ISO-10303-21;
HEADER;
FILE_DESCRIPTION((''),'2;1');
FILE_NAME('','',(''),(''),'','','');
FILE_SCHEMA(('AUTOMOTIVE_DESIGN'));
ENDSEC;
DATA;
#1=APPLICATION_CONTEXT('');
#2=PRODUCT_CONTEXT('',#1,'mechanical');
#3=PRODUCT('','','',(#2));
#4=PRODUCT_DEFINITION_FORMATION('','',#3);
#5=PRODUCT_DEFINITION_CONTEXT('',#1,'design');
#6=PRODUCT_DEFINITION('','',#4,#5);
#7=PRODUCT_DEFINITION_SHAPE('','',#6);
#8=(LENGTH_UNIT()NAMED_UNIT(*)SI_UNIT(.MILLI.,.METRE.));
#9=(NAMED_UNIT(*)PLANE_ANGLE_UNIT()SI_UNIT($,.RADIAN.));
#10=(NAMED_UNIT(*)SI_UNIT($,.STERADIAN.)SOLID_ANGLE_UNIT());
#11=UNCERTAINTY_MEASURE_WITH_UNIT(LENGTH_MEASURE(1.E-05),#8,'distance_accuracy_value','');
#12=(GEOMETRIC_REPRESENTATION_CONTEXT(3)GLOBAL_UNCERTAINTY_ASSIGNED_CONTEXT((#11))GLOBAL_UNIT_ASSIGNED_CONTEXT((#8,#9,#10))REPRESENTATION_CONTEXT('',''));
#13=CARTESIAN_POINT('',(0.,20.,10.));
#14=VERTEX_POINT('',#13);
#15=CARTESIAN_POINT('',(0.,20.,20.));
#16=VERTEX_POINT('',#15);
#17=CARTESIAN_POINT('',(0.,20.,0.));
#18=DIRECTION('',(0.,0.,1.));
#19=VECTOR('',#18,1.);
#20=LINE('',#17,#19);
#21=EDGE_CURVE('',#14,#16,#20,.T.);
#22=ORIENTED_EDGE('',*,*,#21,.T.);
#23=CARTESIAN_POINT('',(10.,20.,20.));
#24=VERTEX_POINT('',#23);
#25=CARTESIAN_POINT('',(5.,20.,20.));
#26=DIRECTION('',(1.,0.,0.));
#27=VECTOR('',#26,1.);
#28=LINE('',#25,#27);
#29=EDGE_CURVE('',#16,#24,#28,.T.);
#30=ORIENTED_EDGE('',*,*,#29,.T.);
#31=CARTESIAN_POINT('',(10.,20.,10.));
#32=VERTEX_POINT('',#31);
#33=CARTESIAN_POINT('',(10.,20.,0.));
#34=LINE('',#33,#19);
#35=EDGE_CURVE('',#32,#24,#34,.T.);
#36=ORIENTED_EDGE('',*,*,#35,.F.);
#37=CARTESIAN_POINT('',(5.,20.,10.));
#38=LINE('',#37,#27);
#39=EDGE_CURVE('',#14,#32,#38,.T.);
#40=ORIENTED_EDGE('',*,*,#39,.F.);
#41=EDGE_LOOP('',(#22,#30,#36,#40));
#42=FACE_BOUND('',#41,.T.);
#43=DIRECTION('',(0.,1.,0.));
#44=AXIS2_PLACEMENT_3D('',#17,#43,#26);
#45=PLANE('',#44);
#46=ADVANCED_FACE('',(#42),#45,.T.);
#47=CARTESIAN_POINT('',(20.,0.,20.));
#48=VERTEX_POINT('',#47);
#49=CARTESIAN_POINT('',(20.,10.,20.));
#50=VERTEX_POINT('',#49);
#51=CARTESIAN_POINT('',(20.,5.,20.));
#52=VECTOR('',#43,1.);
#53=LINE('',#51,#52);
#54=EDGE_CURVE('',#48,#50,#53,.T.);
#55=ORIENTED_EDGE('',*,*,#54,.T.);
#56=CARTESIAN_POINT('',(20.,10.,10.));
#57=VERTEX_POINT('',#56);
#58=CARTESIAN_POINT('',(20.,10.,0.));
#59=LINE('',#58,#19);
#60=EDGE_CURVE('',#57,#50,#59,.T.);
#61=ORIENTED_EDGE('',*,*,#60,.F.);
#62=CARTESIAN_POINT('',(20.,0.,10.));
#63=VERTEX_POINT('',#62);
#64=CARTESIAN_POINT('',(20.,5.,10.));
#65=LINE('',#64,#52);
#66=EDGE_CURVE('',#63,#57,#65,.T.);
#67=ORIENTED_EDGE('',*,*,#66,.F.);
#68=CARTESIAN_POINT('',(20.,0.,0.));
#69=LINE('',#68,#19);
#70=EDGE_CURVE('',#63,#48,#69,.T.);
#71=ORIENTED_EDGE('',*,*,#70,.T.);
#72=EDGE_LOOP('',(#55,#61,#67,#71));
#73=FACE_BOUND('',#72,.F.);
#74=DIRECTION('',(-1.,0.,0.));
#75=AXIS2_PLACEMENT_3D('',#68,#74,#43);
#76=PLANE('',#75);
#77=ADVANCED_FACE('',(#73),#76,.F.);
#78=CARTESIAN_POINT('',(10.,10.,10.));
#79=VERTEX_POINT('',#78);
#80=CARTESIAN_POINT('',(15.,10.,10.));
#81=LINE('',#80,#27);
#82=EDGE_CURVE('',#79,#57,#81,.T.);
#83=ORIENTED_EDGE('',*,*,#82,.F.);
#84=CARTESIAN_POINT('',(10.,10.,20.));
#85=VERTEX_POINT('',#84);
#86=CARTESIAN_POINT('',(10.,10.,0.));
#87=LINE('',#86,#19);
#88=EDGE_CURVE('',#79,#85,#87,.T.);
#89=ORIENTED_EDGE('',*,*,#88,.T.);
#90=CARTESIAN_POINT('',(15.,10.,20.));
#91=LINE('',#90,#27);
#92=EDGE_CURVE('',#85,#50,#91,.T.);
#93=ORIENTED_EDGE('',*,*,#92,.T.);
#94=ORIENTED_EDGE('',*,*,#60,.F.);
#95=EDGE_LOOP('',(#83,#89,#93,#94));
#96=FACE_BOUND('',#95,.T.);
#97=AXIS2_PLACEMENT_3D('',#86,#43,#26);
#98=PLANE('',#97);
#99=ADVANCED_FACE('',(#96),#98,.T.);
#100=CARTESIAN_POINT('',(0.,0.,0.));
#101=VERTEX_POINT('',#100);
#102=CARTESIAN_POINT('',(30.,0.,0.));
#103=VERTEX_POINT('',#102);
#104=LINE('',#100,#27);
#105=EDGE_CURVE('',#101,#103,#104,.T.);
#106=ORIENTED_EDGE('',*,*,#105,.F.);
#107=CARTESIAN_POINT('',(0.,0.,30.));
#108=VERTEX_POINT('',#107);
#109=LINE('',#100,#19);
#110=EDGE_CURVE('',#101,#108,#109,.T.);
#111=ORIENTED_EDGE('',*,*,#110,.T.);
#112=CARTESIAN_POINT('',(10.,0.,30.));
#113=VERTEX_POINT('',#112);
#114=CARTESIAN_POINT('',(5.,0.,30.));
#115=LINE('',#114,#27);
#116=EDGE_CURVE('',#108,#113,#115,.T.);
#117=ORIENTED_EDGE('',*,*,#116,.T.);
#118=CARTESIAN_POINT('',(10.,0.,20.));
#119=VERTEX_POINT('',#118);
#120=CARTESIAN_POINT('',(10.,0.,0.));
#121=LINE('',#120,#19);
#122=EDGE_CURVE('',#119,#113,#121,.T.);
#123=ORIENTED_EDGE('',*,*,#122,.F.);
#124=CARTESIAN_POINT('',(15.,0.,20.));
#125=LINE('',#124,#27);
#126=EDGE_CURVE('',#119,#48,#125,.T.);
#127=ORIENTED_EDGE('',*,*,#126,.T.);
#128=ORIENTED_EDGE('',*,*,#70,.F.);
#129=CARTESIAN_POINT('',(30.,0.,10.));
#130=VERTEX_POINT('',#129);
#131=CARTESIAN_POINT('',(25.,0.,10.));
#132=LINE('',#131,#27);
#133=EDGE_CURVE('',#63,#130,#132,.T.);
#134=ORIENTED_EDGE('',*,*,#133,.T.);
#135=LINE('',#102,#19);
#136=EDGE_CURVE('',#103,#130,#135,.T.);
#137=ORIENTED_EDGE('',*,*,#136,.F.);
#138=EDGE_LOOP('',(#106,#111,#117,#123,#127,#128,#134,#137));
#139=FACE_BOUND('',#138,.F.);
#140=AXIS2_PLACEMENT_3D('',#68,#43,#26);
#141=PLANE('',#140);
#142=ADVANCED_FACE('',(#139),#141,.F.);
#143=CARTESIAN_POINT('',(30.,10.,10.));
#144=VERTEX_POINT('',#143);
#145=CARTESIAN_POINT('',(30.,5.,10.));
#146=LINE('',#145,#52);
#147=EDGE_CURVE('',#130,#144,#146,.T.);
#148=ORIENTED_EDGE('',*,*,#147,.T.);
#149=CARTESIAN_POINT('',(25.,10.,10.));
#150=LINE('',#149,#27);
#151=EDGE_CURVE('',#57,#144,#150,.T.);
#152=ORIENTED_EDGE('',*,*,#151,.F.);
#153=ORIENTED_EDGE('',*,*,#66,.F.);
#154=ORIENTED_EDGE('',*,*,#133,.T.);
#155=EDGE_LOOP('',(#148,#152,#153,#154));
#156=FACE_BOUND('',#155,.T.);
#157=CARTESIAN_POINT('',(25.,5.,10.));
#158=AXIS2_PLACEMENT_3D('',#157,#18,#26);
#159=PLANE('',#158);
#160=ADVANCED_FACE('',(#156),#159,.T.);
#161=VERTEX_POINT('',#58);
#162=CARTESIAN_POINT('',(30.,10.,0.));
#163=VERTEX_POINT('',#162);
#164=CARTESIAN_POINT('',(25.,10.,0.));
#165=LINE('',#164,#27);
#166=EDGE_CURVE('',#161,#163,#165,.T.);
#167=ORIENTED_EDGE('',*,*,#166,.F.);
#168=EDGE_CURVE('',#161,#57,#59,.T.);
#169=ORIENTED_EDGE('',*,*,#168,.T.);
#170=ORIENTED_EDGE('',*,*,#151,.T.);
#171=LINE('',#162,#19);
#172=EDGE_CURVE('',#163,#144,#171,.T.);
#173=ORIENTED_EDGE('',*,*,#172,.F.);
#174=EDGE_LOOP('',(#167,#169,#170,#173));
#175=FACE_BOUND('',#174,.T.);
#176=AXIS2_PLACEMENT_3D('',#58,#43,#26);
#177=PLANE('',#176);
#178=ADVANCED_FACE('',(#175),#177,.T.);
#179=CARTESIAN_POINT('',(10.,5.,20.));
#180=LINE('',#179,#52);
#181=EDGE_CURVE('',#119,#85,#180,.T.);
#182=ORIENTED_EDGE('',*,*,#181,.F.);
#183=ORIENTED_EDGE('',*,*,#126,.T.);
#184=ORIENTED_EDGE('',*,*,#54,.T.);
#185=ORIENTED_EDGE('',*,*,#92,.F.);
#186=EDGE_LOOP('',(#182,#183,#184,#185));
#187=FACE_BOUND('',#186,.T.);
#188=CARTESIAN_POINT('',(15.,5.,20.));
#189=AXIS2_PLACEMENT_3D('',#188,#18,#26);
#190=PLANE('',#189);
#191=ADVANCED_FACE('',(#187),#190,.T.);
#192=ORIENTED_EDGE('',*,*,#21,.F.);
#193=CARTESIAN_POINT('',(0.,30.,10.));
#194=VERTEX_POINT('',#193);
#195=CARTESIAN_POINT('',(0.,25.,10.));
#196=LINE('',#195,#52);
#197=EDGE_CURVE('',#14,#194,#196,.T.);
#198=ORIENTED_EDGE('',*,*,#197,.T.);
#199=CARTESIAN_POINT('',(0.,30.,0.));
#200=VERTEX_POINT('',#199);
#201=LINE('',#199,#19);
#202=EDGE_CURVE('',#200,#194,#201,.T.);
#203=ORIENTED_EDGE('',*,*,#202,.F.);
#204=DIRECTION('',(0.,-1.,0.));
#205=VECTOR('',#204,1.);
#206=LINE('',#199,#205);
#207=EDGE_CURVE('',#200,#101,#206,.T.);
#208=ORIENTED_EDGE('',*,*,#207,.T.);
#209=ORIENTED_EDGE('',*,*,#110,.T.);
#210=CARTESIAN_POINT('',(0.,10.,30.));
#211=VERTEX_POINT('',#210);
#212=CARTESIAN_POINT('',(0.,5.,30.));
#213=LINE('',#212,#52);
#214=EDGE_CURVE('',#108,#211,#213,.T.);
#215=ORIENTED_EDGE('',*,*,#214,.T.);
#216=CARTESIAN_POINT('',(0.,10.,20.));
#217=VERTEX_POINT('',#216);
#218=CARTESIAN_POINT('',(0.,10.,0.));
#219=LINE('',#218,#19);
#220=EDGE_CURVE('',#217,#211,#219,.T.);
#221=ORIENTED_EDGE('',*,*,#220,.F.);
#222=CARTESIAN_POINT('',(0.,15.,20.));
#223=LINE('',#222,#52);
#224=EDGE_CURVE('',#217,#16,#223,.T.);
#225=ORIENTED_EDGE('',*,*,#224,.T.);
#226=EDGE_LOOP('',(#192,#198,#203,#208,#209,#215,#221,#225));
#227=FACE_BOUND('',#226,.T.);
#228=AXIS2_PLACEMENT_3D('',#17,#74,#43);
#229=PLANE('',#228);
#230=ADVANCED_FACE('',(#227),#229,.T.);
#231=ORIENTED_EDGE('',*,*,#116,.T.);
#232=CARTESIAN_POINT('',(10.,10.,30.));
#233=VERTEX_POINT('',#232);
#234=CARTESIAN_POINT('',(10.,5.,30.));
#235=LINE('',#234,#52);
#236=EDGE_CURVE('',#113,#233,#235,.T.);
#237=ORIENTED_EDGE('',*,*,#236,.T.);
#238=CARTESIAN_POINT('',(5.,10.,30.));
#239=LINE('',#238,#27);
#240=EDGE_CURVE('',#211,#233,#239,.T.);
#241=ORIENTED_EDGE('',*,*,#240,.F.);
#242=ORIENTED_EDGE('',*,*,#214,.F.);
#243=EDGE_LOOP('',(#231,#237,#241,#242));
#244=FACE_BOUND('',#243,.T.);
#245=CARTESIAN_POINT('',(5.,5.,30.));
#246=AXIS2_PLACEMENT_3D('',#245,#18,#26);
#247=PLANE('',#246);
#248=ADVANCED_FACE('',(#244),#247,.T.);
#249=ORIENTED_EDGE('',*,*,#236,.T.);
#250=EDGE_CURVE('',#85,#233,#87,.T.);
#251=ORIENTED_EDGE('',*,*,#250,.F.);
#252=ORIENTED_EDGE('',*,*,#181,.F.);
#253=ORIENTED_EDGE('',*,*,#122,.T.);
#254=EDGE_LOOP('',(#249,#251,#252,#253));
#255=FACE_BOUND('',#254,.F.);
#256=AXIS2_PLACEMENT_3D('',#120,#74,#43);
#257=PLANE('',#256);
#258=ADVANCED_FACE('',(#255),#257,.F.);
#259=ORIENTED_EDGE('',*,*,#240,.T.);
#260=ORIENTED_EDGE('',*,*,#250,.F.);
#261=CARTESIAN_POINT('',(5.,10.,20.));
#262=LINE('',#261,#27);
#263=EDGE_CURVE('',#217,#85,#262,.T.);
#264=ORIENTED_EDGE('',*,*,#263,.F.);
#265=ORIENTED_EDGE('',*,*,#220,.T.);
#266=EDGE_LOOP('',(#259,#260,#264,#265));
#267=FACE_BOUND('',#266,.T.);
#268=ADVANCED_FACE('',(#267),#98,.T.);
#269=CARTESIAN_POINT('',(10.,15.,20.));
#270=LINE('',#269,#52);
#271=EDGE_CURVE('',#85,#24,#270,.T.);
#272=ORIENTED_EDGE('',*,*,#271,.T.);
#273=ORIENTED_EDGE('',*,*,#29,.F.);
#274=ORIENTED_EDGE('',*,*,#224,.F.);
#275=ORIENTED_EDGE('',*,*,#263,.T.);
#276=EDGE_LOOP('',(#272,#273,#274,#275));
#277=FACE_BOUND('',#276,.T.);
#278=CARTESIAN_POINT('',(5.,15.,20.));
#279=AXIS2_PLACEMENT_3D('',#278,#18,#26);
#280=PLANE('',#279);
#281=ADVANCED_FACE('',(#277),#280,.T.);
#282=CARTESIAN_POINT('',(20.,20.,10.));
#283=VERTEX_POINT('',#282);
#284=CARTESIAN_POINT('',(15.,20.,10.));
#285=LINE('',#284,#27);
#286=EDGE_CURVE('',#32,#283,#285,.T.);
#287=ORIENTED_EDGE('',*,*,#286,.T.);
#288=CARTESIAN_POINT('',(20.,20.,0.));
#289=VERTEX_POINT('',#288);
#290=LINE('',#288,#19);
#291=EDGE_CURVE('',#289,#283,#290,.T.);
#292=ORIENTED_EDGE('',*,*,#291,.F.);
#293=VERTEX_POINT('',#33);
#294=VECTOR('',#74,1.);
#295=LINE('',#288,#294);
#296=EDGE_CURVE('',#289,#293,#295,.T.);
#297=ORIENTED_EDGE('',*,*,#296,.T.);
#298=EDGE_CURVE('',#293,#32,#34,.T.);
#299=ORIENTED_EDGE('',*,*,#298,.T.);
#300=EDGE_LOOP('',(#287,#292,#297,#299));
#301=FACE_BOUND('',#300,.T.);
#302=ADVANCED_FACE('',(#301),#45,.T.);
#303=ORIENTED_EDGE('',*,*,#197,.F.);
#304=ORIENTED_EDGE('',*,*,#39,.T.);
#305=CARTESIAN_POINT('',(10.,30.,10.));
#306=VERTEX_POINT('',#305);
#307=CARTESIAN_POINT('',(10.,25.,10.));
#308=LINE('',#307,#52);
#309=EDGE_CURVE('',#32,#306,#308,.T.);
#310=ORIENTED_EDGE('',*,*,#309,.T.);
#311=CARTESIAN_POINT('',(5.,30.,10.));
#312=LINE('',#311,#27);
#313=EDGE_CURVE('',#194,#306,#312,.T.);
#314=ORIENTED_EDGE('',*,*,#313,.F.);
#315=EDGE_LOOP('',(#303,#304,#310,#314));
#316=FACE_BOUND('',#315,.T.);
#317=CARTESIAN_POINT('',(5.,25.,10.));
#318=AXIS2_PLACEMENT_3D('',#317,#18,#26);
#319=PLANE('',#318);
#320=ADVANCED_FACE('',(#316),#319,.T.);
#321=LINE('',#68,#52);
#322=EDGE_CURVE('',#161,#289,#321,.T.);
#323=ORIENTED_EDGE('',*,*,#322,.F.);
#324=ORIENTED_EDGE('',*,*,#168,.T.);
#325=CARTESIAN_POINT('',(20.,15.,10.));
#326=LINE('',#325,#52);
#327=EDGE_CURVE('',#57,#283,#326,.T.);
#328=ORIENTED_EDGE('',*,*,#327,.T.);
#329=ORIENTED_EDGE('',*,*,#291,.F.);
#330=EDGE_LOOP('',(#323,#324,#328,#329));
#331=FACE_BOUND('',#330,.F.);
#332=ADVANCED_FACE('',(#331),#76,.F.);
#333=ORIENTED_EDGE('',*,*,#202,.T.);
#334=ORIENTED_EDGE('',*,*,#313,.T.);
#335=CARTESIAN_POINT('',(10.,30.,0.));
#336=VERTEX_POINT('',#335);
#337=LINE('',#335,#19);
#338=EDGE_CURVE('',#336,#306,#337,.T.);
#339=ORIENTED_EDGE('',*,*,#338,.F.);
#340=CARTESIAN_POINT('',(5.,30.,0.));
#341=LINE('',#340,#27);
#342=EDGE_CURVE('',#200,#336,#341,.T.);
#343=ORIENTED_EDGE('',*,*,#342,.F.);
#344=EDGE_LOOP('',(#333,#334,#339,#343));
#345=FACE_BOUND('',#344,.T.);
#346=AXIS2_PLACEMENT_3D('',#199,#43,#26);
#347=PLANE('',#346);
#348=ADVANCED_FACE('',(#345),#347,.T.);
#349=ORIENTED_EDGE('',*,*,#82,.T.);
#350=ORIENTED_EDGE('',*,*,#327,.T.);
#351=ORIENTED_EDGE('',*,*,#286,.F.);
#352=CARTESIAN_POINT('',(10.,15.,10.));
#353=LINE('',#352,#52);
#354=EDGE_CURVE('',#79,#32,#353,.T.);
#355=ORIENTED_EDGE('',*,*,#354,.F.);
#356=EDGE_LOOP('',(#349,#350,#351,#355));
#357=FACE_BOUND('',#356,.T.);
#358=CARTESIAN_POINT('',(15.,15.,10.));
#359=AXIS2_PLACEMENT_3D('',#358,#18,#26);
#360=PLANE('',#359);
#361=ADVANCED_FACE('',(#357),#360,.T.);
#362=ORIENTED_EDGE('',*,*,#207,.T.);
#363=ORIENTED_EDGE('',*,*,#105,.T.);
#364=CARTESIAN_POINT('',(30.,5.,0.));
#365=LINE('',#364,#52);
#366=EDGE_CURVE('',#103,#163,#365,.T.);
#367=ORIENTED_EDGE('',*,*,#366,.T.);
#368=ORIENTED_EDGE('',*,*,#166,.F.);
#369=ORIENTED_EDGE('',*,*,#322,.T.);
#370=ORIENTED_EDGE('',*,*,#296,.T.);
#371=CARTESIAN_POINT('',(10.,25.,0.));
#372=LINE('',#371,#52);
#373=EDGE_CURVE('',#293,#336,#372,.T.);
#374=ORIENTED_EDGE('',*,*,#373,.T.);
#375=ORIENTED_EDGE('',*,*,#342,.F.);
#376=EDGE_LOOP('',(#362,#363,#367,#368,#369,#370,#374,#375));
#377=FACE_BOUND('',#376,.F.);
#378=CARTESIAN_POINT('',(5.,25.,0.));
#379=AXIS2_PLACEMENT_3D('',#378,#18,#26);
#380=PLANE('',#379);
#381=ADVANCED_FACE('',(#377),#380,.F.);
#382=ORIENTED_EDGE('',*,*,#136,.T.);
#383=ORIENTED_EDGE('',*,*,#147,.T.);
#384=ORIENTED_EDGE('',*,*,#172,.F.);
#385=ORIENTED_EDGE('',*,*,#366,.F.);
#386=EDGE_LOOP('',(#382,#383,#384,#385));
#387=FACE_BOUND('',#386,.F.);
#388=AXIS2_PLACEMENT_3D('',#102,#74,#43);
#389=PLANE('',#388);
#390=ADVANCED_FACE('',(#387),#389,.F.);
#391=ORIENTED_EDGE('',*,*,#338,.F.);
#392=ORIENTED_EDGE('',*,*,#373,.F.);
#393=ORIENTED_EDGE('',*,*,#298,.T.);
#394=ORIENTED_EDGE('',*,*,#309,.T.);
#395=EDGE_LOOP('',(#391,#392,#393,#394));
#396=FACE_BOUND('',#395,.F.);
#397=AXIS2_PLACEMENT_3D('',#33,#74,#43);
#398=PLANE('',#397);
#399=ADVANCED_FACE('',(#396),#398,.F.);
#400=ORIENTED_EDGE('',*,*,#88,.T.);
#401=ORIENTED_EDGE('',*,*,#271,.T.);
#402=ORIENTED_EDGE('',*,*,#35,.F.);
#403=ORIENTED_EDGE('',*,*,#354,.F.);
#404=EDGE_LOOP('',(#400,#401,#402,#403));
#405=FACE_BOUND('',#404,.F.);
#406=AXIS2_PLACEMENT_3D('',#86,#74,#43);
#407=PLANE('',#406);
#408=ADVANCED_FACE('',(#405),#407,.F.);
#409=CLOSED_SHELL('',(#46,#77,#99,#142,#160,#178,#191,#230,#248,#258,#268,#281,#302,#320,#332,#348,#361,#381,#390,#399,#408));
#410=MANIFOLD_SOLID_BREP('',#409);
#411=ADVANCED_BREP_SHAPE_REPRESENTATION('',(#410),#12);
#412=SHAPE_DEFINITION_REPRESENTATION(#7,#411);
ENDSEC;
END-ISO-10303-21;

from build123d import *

# Parameters (mm, degrees)
BOX_W        = 10
BOX_H        = 10
BOX_DEPTH    = 30
BOX001_W     = 10
BOX001_H     = 10
BOX001_DEPTH = 20
BOX002_W     = 10
BOX002_H     = 10
BOX002_DEPTH = 20
BOX003_W     = 10
BOX003_H     = 10
BOX003_DEPTH = 10
BOX004_W     = 10
BOX004_H     = 10
BOX004_DEPTH = 10
BOX005_W     = 10
BOX005_H     = 10
BOX005_DEPTH = 10


with BuildPart() as cube:
    # Box → Box (new body)
    with BuildSketch(Plane.XY):
        with Locations((5, 5)):
            Rectangle(BOX_W, BOX_H)
    extrude(amount=BOX_DEPTH)


with BuildPart() as cube001:
    # Box001 → Box001 (new body)
    with BuildSketch(Plane(origin=(10, 0, 0), x_dir=(1, 0, 0), z_dir=(0, 0, 1))):
        with Locations((5, 5)):
            Rectangle(BOX001_W, BOX001_H)
    extrude(amount=BOX001_DEPTH)


with BuildPart() as cube002:
    # Box002 → Box002 (new body)
    with BuildSketch(Plane(origin=(0, 10, 0), x_dir=(1, 0, 0), z_dir=(0, 0, 1))):
        with Locations((5, 5)):
            Rectangle(BOX002_W, BOX002_H)
    extrude(amount=BOX002_DEPTH)


with BuildPart() as cube003:
    # Box003 → Box003 (new body)
    with BuildSketch(Plane(origin=(20, 0, 0), x_dir=(1, 0, 0), z_dir=(0, 0, 1))):
        with Locations((5, 5)):
            Rectangle(BOX003_W, BOX003_H)
    extrude(amount=BOX003_DEPTH)


with BuildPart() as cube004:
    # Box004 → Box004 (new body)
    with BuildSketch(Plane(origin=(0, 20, 0), x_dir=(1, 0, 0), z_dir=(0, 0, 1))):
        with Locations((5, 5)):
            Rectangle(BOX004_W, BOX004_H)
    extrude(amount=BOX004_DEPTH)


with BuildPart() as fusion:
    # Box005 → Box005 (new body)
    with BuildSketch(Plane(origin=(10, 10, 0), x_dir=(1, 0, 0), z_dir=(0, 0, 1))):
        with Locations((5, 5)):
            Rectangle(BOX005_W, BOX005_H)
    extrude(amount=BOX005_DEPTH)

    # Fusion: union Cube, Cube001, Cube002, Cube003, Cube004
    add(cube.part)
    add(cube001.part)
    add(cube002.part)
    add(cube003.part)
    add(cube004.part)


solid = fusion.part
